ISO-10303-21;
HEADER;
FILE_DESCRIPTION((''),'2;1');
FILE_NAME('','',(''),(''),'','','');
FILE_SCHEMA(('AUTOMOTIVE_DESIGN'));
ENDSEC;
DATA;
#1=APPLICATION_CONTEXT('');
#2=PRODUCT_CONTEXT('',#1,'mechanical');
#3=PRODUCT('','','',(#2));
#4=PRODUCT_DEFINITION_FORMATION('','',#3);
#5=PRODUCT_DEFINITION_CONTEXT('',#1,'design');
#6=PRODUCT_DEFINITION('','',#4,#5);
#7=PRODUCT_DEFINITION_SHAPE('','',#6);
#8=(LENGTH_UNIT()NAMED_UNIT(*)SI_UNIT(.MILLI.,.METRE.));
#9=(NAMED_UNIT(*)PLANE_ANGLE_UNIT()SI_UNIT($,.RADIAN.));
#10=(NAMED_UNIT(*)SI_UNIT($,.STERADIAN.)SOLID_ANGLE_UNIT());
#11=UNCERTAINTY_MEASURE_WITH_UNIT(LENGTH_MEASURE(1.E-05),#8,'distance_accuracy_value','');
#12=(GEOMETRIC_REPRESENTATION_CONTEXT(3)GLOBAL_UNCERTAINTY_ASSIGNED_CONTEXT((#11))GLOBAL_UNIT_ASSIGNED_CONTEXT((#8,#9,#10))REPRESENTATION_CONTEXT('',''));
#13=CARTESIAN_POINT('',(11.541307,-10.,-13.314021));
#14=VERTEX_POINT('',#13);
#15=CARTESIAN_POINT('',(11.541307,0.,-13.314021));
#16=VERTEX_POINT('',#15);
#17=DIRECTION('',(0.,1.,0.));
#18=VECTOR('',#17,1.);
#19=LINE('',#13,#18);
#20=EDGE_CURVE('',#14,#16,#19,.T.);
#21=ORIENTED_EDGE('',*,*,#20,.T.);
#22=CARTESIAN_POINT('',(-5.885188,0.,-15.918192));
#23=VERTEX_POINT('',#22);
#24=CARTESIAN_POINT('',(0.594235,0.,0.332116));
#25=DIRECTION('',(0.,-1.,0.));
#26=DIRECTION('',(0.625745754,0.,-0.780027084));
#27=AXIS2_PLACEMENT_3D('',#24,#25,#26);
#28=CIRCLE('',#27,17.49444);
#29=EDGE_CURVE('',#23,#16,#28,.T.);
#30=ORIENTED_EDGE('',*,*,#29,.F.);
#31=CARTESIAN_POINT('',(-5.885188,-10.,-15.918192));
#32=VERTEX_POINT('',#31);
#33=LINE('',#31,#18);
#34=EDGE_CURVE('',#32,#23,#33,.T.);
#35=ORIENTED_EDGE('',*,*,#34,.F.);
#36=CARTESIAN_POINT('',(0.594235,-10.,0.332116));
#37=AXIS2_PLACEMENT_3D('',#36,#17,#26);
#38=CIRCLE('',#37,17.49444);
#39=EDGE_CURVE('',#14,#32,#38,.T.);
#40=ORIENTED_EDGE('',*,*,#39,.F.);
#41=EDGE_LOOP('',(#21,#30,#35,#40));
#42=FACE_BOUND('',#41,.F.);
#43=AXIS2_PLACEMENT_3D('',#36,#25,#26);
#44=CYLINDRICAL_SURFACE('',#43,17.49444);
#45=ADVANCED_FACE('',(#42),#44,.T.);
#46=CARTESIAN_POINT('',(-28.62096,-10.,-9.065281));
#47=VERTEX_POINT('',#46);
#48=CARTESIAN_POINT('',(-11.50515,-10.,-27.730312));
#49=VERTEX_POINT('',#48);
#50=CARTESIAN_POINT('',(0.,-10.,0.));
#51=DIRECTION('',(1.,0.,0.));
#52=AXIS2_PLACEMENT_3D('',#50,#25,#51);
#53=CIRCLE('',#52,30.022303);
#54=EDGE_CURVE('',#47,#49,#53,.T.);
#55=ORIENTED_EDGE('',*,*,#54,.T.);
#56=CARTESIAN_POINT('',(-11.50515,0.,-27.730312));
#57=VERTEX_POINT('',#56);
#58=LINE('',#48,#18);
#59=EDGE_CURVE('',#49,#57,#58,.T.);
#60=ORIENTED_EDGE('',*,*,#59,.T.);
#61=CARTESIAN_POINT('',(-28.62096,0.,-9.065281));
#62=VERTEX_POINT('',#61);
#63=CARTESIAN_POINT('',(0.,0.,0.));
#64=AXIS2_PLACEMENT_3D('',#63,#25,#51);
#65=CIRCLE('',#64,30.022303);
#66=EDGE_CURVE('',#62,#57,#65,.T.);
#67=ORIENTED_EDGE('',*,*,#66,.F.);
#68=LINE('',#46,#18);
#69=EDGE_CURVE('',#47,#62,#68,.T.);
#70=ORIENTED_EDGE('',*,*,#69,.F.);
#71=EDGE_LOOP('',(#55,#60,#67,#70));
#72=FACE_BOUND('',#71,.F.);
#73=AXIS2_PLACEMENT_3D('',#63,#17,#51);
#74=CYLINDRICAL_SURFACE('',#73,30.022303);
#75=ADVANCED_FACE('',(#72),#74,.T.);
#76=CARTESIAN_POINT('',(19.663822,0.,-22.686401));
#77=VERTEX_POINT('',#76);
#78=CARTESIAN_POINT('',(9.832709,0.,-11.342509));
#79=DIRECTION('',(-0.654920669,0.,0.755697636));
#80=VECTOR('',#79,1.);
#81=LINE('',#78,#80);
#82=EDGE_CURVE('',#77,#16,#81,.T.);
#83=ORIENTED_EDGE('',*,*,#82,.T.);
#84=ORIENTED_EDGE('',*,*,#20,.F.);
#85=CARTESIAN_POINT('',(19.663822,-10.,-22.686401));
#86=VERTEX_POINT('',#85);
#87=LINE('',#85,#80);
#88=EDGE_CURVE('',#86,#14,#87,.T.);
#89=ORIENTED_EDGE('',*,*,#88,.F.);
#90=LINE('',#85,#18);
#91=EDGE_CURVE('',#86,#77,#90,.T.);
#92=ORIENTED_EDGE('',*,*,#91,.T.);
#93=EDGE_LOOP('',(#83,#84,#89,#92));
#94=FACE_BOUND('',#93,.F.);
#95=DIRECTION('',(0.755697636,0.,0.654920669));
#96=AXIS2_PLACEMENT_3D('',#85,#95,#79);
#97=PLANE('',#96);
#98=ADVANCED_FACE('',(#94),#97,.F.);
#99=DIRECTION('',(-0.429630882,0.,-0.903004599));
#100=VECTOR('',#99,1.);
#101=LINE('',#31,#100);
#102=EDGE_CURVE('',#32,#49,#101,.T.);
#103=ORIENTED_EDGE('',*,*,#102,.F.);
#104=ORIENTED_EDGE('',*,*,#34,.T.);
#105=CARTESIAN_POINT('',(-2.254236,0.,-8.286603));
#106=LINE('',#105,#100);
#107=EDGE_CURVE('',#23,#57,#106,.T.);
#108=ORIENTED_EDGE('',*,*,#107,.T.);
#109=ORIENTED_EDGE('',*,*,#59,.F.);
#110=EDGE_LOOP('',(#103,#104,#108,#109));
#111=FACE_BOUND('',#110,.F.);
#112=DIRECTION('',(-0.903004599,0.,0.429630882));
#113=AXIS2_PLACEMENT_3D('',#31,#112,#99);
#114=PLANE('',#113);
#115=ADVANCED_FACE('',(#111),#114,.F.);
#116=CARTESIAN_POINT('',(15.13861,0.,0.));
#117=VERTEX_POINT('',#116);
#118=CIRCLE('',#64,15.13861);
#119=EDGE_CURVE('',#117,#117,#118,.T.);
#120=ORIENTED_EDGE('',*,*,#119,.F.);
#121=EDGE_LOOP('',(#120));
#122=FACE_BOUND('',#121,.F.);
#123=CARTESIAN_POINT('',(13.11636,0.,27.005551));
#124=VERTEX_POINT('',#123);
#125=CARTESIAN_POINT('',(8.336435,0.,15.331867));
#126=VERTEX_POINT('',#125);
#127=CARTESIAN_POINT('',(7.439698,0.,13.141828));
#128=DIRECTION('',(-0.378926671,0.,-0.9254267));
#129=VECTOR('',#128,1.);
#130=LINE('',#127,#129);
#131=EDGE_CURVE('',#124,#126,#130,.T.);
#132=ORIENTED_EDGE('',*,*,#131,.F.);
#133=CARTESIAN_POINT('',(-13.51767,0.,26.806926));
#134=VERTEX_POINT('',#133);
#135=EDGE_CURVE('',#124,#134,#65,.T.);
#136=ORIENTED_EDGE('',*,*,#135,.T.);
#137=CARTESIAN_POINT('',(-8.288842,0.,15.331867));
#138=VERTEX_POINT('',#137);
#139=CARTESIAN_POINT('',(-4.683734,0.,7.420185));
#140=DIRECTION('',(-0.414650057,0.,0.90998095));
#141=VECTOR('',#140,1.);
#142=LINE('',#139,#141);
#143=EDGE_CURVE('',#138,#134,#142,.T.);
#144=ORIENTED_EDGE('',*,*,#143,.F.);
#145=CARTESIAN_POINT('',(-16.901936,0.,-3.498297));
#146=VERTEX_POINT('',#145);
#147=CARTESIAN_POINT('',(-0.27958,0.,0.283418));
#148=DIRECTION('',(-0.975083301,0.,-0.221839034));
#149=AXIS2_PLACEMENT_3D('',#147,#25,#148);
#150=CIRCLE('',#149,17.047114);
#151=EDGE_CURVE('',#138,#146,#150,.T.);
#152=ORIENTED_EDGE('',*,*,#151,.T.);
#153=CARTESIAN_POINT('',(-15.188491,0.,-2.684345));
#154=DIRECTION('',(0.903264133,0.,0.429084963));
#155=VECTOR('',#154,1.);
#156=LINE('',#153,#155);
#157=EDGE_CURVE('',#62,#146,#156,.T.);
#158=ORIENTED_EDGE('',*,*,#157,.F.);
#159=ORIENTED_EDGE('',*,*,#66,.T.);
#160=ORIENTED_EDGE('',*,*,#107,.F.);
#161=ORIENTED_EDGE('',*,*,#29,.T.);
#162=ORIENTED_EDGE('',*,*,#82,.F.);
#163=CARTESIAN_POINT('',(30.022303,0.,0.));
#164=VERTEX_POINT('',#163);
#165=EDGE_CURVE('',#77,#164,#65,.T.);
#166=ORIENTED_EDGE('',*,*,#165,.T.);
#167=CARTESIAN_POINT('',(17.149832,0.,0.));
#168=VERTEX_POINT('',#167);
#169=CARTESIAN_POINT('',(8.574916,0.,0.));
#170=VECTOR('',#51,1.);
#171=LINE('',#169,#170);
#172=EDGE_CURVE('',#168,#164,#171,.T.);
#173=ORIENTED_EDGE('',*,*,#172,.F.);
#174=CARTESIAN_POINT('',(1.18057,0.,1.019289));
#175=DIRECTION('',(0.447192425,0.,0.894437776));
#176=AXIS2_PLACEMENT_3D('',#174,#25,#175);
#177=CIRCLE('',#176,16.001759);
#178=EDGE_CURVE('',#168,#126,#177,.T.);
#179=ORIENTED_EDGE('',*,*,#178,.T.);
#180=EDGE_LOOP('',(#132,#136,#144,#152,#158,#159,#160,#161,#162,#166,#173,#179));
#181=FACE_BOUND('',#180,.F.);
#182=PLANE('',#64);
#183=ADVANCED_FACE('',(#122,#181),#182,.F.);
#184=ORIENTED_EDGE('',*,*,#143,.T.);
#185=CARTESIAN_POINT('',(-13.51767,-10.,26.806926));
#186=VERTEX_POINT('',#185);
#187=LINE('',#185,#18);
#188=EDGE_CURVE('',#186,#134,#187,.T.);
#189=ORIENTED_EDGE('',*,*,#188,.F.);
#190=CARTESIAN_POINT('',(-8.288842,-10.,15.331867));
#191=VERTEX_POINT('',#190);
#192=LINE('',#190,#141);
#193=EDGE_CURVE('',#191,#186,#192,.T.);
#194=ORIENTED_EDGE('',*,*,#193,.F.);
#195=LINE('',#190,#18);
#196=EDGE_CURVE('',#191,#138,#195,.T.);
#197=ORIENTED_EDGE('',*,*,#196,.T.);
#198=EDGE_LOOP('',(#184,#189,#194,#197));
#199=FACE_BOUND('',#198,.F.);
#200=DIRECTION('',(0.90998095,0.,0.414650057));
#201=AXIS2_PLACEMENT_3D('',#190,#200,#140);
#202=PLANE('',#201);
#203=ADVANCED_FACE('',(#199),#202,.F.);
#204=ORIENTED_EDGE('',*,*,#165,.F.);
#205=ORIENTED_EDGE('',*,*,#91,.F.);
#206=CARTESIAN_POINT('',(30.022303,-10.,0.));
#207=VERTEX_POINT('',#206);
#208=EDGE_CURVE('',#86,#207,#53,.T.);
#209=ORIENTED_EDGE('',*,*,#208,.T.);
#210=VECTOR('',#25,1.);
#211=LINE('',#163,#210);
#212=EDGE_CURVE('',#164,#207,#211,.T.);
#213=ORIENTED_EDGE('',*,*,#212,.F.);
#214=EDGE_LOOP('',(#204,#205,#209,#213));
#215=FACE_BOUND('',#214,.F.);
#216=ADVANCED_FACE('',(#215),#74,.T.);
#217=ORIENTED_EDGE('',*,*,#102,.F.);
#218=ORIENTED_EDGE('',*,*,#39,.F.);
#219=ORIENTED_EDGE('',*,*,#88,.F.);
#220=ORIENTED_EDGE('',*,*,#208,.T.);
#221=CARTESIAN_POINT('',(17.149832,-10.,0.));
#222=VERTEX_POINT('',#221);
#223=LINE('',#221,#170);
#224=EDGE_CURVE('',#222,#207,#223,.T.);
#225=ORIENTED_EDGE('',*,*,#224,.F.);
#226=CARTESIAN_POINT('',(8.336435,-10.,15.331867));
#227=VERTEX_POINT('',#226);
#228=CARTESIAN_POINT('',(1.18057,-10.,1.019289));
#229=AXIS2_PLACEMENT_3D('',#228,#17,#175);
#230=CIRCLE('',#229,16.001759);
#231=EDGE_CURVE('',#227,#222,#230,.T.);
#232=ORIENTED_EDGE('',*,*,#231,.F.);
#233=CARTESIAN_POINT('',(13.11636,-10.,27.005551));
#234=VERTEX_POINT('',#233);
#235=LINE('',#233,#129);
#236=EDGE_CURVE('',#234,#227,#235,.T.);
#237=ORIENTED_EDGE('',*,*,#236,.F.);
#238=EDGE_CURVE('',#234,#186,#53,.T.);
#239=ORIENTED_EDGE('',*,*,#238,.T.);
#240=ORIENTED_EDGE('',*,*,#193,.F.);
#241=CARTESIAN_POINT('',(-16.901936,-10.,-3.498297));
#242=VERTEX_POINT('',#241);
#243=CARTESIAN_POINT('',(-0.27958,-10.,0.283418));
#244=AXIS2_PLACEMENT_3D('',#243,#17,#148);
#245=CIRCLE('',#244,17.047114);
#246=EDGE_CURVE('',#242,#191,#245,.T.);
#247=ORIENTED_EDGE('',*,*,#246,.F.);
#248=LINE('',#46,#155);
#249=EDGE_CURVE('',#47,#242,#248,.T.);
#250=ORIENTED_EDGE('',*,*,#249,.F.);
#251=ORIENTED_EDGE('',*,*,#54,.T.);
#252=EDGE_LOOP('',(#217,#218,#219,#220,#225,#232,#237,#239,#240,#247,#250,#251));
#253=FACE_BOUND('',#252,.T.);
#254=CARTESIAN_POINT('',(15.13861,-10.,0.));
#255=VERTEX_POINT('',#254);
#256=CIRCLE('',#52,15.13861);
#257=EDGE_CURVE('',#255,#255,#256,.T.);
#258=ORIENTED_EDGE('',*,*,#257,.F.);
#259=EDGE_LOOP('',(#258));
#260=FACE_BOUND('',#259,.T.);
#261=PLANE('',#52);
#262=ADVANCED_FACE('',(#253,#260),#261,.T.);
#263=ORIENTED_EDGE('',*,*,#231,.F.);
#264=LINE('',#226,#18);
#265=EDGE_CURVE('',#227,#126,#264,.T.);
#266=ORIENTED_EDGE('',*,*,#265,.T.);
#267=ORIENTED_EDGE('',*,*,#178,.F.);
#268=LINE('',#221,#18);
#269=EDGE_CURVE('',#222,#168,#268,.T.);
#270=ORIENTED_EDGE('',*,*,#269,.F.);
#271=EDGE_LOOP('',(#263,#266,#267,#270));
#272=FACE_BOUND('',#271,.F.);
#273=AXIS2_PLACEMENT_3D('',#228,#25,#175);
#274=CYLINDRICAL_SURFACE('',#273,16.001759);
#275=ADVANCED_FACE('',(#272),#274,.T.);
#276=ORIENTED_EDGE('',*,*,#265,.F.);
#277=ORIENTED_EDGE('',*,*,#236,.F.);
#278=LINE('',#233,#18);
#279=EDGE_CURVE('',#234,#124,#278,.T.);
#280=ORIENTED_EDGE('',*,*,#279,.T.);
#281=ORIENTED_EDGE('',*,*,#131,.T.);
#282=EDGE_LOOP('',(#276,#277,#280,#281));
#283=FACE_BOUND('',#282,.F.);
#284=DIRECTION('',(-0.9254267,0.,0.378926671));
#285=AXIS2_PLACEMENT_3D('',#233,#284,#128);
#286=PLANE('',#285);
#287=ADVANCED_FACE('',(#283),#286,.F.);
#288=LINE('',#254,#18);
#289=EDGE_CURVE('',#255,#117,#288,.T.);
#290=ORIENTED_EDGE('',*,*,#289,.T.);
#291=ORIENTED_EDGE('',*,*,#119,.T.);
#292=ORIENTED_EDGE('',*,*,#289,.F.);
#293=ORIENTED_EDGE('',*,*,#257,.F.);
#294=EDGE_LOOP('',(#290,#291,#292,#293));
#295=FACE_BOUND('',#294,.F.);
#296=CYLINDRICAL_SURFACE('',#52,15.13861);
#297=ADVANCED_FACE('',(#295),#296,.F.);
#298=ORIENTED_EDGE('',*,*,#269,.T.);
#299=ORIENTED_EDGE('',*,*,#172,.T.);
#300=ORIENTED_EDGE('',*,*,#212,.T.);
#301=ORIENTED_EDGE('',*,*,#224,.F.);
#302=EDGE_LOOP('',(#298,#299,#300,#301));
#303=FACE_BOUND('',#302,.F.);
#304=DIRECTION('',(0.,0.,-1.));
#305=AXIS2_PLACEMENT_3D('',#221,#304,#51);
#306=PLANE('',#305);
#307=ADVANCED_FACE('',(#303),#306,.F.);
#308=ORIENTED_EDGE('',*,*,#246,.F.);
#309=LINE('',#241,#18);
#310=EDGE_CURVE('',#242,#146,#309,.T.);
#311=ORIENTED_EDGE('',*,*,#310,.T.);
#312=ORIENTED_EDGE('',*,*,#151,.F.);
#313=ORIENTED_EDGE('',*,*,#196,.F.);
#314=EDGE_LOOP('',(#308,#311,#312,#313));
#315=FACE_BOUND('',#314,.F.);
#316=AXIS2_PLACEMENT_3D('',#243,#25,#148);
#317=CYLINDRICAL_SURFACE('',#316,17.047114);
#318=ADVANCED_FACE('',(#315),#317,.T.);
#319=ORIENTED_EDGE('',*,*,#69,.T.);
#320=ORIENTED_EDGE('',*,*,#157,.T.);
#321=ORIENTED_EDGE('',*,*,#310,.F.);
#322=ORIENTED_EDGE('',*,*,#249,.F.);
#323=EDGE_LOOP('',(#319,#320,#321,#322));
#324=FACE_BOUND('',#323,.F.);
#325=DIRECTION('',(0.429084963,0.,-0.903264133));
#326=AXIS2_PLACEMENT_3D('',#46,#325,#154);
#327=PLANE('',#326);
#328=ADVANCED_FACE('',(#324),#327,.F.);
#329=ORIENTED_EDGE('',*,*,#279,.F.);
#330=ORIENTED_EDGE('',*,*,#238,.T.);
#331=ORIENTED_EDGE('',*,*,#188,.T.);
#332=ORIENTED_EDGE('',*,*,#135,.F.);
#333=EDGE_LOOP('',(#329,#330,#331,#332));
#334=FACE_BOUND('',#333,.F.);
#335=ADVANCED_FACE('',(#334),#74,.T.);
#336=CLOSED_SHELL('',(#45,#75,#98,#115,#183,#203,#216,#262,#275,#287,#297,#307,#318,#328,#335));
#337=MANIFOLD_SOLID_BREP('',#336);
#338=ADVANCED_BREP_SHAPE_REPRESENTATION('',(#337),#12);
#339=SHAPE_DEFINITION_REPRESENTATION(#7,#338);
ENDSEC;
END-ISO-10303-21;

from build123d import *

# Parameters (mm, degrees)
F0_R     = 30.022303
F1_DEPTH = 10
F3_DEPTH = 25
F4_R     = 15.13861
F5_DEPTH = 25


with BuildPart() as f1:
    # F0 (on Front) → F1 (new body)
    with BuildSketch(Plane.XZ):
        Circle(F0_R)
    extrude(amount=F1_DEPTH)

    # F2 (on face) → F3 (cut)
    with BuildSketch(Plane.XZ.offset(10)):
        with BuildLine():
            ThreePointArc((-13.51767, 26.806926), (-0.223887, 30.021468), (13.11636, 27.005551))
            ThreePointArc((13.11636, 27.005551), (-0.226298, 30.344822), (-13.51767, 26.806926))
        make_face()
        with BuildLine():
            ThreePointArc((19.663822, -22.686401), (27.429863, -12.524318), (30.022303, 0))
            ThreePointArc((30.022303, 0), (27.31018, -12.469672), (19.663822, -22.686401))
        make_face()
        with BuildLine():
            ThreePointArc((-11.50515, -27.730312), (-22.127404, -20.290802), (-28.62096, -9.065281))
            ThreePointArc((-28.62096, -9.065281), (-22.573017, -20.699429), (-11.50515, -27.730312))
        make_face()
        with BuildLine():
            Line((-8.288842, 15.331867), (-13.51767, 26.806926))
            ThreePointArc((-13.51767, 26.806926), (-27.669836, 11.649842), (-28.62096, -9.065281))
            Line((-28.62096, -9.065281), (-16.901936, -3.498297))
            ThreePointArc((-16.901936, -3.498297), (-15.781932, 7.37434), (-8.288842, 15.331867))
        make_face()
        with BuildLine():
            ThreePointArc((-11.50515, -27.730312), (4.795961, -29.636758), (19.663822, -22.686401))
            Line((19.663822, -22.686401), (11.541307, -13.314021))
            ThreePointArc((11.541307, -13.314021), (3.179849, -16.970197), (-5.885188, -15.918192))
            Line((-5.885188, -15.918192), (-11.50515, -27.730312))
        make_face()
        with BuildLine():
            ThreePointArc((30.022303, 0), (25.44722, 15.930401), (13.11636, 27.005551))
            Line((13.11636, 27.005551), (8.336435, 15.331867))
            ThreePointArc((8.336435, 15.331867), (15.053544, 8.994054), (17.149832, 0))
            Line((17.149832, 0), (30.022303, 0))
        make_face()
    extrude(amount=-F3_DEPTH, mode=Mode.SUBTRACT)

    # F4 (on face) → F5 (cut)
    with BuildSketch(Plane.XZ.offset(10)):
        Circle(F4_R)
    extrude(amount=-F5_DEPTH, mode=Mode.SUBTRACT)


solid = f1.part
